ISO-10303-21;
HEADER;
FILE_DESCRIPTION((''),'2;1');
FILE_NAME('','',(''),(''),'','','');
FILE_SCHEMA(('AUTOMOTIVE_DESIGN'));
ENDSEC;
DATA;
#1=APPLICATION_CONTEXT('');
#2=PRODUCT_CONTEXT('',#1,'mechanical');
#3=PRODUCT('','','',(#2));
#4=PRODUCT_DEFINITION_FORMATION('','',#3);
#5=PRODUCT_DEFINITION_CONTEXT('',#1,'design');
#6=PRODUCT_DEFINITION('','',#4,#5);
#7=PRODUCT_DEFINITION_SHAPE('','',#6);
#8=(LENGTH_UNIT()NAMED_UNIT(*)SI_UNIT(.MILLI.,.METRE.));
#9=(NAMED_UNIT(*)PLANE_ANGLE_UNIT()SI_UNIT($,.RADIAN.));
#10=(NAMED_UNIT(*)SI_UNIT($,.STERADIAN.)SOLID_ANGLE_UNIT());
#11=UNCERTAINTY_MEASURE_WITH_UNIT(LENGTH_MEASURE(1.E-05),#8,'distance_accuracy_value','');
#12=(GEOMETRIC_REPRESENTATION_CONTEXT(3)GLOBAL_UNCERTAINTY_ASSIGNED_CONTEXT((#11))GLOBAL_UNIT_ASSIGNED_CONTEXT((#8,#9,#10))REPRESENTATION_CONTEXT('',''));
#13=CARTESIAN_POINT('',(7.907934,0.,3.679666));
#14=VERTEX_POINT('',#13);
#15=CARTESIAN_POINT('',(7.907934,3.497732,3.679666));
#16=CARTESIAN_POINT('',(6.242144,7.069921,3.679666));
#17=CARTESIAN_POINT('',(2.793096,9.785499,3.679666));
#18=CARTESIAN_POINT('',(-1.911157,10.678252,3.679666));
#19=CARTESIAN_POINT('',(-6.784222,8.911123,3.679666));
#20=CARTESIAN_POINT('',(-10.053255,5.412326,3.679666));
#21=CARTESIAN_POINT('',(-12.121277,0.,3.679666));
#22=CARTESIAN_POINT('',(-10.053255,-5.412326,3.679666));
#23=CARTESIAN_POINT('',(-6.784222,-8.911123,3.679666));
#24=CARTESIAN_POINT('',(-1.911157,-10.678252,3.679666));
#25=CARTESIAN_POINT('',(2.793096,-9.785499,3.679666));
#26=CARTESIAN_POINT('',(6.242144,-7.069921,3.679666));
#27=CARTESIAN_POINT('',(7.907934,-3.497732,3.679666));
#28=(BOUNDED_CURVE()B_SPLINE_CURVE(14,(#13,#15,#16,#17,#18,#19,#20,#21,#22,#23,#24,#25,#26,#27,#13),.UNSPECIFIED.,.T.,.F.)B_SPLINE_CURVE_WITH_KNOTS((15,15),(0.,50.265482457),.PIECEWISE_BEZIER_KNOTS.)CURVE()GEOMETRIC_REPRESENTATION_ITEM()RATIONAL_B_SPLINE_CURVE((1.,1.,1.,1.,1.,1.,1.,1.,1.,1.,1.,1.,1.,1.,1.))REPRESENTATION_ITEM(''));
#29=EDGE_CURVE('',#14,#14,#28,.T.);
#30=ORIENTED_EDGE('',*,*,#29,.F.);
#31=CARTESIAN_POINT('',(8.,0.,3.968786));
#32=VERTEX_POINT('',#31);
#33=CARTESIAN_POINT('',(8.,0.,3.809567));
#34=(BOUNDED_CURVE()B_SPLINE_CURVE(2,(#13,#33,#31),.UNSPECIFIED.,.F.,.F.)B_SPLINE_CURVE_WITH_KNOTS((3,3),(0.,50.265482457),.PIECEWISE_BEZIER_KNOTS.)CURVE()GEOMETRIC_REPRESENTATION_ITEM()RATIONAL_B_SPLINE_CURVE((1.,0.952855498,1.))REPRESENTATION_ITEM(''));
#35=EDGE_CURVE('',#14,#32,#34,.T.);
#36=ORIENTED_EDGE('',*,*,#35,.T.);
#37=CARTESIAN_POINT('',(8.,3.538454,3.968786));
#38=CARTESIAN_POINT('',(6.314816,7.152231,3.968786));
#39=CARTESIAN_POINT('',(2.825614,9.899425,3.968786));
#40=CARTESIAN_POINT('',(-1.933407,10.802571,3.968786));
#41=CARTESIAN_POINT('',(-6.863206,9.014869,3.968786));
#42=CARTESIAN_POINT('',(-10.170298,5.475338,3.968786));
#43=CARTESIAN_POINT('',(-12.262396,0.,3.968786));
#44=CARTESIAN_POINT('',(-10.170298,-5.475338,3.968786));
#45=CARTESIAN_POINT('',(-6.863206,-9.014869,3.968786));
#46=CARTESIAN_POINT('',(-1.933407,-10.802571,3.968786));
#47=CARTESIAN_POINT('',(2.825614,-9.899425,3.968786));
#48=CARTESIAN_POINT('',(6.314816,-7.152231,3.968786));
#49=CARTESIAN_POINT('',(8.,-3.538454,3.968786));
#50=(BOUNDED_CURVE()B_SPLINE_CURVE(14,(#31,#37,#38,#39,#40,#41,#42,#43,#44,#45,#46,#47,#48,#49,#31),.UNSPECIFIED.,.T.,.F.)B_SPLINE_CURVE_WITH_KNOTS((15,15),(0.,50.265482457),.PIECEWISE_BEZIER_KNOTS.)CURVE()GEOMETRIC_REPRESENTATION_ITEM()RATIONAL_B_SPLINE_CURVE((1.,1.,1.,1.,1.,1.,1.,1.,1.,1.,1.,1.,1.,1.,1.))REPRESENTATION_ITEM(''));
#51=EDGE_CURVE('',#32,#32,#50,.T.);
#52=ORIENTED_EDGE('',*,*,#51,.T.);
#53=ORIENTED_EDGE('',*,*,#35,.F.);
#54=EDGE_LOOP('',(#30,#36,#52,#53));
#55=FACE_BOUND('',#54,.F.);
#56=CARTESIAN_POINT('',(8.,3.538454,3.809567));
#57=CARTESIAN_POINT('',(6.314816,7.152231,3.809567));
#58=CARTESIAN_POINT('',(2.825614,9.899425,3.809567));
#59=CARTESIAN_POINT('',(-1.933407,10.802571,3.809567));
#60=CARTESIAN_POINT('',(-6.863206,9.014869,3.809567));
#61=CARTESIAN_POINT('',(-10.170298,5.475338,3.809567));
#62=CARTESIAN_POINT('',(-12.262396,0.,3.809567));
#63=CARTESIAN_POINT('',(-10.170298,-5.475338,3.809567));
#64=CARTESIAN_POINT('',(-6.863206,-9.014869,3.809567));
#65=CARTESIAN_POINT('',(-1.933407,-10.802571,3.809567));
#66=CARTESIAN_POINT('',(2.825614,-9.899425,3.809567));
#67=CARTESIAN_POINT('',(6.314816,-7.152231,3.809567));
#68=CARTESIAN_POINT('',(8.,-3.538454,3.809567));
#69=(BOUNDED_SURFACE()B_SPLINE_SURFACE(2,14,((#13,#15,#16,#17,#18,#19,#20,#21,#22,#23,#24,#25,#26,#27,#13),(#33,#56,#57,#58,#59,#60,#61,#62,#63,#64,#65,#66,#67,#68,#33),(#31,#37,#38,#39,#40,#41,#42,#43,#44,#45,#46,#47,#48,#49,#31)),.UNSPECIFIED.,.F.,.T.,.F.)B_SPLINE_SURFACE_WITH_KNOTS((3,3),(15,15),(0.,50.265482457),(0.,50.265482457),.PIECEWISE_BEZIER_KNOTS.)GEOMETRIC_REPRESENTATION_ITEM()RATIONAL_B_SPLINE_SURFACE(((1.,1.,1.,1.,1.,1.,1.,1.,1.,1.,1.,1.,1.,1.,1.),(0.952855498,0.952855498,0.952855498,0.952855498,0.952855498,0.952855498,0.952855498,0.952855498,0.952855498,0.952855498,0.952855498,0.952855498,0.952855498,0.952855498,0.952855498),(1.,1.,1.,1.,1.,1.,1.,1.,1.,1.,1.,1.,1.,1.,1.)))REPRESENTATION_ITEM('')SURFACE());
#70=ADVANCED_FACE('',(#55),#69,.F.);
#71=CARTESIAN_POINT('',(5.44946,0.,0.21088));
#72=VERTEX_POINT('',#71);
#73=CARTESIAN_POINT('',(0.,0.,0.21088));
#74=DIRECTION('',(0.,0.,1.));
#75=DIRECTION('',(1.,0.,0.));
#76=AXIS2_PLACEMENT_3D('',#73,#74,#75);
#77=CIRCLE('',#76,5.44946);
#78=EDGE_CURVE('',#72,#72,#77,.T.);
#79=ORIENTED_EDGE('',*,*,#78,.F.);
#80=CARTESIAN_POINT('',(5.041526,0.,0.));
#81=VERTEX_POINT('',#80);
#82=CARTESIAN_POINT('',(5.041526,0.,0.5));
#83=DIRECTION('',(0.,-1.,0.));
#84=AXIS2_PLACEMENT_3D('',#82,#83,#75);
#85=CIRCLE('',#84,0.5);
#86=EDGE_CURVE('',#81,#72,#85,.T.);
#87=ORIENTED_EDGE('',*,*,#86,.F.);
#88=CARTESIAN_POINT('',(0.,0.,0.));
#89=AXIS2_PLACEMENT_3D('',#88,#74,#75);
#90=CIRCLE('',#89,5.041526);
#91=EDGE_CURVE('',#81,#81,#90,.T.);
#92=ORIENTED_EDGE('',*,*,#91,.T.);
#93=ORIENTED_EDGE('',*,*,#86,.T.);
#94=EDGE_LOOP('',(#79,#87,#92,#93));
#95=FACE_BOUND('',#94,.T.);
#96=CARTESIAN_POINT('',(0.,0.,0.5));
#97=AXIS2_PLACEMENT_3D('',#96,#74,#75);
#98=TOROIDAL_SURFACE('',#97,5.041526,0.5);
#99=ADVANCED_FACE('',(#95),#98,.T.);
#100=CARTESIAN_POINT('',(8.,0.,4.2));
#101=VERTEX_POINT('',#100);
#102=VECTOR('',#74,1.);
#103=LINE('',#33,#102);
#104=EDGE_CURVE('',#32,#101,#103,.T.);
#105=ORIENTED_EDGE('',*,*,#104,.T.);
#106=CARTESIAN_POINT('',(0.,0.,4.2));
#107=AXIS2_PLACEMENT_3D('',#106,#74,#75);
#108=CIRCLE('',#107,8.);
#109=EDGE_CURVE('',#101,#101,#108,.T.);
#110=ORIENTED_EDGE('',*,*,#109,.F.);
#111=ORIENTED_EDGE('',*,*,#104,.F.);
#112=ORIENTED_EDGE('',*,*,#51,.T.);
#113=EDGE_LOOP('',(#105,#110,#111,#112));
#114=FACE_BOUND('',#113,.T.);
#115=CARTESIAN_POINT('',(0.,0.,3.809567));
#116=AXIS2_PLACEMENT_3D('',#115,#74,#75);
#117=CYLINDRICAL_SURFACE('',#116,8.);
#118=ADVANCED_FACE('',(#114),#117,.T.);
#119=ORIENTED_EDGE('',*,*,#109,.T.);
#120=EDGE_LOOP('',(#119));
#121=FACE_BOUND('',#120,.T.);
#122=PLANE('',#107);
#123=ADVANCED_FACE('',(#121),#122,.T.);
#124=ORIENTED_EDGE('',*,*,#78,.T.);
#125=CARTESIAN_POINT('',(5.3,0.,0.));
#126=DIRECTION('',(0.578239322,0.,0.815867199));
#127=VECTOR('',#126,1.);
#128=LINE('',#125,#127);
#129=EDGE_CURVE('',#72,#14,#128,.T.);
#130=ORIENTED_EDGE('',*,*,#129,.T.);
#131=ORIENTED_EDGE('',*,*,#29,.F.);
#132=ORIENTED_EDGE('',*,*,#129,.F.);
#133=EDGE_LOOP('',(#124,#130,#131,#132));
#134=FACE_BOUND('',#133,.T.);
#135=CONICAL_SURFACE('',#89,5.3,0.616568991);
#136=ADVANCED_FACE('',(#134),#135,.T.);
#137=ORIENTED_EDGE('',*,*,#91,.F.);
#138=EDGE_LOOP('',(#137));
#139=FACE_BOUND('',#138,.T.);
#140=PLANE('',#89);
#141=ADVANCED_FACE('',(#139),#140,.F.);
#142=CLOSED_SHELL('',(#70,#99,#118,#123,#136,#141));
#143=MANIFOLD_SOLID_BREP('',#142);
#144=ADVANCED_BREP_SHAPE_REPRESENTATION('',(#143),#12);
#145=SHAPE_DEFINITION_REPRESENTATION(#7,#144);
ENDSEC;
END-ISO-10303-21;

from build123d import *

# Parameters (mm, degrees)
F2_R = 0.5
F3_R = 0.5


with BuildPart() as f1:
    # F0 (on Front) → F1 (revolve)
    with BuildSketch(Plane.XZ):
        Polygon((8, 4.2), (0, 4.2), (0, 0), (5.3, 0), (8, 3.809567), align=None)
    revolve(axis=Axis((0, 0, 2.1), (0, 0, 1)))

    # F2
    f2_edges = [f1.edges().sort_by_distance(p)[0] for p in [
        (-5.3, 0, 0),
    ]]
    fillet(f2_edges, radius=F2_R)

    # F3
    f3_edges = [f1.edges().sort_by_distance(p)[0] for p in [
        (-8, 0, 3.809567),
    ]]
    fillet(f3_edges, radius=F3_R)


solid = f1.part
